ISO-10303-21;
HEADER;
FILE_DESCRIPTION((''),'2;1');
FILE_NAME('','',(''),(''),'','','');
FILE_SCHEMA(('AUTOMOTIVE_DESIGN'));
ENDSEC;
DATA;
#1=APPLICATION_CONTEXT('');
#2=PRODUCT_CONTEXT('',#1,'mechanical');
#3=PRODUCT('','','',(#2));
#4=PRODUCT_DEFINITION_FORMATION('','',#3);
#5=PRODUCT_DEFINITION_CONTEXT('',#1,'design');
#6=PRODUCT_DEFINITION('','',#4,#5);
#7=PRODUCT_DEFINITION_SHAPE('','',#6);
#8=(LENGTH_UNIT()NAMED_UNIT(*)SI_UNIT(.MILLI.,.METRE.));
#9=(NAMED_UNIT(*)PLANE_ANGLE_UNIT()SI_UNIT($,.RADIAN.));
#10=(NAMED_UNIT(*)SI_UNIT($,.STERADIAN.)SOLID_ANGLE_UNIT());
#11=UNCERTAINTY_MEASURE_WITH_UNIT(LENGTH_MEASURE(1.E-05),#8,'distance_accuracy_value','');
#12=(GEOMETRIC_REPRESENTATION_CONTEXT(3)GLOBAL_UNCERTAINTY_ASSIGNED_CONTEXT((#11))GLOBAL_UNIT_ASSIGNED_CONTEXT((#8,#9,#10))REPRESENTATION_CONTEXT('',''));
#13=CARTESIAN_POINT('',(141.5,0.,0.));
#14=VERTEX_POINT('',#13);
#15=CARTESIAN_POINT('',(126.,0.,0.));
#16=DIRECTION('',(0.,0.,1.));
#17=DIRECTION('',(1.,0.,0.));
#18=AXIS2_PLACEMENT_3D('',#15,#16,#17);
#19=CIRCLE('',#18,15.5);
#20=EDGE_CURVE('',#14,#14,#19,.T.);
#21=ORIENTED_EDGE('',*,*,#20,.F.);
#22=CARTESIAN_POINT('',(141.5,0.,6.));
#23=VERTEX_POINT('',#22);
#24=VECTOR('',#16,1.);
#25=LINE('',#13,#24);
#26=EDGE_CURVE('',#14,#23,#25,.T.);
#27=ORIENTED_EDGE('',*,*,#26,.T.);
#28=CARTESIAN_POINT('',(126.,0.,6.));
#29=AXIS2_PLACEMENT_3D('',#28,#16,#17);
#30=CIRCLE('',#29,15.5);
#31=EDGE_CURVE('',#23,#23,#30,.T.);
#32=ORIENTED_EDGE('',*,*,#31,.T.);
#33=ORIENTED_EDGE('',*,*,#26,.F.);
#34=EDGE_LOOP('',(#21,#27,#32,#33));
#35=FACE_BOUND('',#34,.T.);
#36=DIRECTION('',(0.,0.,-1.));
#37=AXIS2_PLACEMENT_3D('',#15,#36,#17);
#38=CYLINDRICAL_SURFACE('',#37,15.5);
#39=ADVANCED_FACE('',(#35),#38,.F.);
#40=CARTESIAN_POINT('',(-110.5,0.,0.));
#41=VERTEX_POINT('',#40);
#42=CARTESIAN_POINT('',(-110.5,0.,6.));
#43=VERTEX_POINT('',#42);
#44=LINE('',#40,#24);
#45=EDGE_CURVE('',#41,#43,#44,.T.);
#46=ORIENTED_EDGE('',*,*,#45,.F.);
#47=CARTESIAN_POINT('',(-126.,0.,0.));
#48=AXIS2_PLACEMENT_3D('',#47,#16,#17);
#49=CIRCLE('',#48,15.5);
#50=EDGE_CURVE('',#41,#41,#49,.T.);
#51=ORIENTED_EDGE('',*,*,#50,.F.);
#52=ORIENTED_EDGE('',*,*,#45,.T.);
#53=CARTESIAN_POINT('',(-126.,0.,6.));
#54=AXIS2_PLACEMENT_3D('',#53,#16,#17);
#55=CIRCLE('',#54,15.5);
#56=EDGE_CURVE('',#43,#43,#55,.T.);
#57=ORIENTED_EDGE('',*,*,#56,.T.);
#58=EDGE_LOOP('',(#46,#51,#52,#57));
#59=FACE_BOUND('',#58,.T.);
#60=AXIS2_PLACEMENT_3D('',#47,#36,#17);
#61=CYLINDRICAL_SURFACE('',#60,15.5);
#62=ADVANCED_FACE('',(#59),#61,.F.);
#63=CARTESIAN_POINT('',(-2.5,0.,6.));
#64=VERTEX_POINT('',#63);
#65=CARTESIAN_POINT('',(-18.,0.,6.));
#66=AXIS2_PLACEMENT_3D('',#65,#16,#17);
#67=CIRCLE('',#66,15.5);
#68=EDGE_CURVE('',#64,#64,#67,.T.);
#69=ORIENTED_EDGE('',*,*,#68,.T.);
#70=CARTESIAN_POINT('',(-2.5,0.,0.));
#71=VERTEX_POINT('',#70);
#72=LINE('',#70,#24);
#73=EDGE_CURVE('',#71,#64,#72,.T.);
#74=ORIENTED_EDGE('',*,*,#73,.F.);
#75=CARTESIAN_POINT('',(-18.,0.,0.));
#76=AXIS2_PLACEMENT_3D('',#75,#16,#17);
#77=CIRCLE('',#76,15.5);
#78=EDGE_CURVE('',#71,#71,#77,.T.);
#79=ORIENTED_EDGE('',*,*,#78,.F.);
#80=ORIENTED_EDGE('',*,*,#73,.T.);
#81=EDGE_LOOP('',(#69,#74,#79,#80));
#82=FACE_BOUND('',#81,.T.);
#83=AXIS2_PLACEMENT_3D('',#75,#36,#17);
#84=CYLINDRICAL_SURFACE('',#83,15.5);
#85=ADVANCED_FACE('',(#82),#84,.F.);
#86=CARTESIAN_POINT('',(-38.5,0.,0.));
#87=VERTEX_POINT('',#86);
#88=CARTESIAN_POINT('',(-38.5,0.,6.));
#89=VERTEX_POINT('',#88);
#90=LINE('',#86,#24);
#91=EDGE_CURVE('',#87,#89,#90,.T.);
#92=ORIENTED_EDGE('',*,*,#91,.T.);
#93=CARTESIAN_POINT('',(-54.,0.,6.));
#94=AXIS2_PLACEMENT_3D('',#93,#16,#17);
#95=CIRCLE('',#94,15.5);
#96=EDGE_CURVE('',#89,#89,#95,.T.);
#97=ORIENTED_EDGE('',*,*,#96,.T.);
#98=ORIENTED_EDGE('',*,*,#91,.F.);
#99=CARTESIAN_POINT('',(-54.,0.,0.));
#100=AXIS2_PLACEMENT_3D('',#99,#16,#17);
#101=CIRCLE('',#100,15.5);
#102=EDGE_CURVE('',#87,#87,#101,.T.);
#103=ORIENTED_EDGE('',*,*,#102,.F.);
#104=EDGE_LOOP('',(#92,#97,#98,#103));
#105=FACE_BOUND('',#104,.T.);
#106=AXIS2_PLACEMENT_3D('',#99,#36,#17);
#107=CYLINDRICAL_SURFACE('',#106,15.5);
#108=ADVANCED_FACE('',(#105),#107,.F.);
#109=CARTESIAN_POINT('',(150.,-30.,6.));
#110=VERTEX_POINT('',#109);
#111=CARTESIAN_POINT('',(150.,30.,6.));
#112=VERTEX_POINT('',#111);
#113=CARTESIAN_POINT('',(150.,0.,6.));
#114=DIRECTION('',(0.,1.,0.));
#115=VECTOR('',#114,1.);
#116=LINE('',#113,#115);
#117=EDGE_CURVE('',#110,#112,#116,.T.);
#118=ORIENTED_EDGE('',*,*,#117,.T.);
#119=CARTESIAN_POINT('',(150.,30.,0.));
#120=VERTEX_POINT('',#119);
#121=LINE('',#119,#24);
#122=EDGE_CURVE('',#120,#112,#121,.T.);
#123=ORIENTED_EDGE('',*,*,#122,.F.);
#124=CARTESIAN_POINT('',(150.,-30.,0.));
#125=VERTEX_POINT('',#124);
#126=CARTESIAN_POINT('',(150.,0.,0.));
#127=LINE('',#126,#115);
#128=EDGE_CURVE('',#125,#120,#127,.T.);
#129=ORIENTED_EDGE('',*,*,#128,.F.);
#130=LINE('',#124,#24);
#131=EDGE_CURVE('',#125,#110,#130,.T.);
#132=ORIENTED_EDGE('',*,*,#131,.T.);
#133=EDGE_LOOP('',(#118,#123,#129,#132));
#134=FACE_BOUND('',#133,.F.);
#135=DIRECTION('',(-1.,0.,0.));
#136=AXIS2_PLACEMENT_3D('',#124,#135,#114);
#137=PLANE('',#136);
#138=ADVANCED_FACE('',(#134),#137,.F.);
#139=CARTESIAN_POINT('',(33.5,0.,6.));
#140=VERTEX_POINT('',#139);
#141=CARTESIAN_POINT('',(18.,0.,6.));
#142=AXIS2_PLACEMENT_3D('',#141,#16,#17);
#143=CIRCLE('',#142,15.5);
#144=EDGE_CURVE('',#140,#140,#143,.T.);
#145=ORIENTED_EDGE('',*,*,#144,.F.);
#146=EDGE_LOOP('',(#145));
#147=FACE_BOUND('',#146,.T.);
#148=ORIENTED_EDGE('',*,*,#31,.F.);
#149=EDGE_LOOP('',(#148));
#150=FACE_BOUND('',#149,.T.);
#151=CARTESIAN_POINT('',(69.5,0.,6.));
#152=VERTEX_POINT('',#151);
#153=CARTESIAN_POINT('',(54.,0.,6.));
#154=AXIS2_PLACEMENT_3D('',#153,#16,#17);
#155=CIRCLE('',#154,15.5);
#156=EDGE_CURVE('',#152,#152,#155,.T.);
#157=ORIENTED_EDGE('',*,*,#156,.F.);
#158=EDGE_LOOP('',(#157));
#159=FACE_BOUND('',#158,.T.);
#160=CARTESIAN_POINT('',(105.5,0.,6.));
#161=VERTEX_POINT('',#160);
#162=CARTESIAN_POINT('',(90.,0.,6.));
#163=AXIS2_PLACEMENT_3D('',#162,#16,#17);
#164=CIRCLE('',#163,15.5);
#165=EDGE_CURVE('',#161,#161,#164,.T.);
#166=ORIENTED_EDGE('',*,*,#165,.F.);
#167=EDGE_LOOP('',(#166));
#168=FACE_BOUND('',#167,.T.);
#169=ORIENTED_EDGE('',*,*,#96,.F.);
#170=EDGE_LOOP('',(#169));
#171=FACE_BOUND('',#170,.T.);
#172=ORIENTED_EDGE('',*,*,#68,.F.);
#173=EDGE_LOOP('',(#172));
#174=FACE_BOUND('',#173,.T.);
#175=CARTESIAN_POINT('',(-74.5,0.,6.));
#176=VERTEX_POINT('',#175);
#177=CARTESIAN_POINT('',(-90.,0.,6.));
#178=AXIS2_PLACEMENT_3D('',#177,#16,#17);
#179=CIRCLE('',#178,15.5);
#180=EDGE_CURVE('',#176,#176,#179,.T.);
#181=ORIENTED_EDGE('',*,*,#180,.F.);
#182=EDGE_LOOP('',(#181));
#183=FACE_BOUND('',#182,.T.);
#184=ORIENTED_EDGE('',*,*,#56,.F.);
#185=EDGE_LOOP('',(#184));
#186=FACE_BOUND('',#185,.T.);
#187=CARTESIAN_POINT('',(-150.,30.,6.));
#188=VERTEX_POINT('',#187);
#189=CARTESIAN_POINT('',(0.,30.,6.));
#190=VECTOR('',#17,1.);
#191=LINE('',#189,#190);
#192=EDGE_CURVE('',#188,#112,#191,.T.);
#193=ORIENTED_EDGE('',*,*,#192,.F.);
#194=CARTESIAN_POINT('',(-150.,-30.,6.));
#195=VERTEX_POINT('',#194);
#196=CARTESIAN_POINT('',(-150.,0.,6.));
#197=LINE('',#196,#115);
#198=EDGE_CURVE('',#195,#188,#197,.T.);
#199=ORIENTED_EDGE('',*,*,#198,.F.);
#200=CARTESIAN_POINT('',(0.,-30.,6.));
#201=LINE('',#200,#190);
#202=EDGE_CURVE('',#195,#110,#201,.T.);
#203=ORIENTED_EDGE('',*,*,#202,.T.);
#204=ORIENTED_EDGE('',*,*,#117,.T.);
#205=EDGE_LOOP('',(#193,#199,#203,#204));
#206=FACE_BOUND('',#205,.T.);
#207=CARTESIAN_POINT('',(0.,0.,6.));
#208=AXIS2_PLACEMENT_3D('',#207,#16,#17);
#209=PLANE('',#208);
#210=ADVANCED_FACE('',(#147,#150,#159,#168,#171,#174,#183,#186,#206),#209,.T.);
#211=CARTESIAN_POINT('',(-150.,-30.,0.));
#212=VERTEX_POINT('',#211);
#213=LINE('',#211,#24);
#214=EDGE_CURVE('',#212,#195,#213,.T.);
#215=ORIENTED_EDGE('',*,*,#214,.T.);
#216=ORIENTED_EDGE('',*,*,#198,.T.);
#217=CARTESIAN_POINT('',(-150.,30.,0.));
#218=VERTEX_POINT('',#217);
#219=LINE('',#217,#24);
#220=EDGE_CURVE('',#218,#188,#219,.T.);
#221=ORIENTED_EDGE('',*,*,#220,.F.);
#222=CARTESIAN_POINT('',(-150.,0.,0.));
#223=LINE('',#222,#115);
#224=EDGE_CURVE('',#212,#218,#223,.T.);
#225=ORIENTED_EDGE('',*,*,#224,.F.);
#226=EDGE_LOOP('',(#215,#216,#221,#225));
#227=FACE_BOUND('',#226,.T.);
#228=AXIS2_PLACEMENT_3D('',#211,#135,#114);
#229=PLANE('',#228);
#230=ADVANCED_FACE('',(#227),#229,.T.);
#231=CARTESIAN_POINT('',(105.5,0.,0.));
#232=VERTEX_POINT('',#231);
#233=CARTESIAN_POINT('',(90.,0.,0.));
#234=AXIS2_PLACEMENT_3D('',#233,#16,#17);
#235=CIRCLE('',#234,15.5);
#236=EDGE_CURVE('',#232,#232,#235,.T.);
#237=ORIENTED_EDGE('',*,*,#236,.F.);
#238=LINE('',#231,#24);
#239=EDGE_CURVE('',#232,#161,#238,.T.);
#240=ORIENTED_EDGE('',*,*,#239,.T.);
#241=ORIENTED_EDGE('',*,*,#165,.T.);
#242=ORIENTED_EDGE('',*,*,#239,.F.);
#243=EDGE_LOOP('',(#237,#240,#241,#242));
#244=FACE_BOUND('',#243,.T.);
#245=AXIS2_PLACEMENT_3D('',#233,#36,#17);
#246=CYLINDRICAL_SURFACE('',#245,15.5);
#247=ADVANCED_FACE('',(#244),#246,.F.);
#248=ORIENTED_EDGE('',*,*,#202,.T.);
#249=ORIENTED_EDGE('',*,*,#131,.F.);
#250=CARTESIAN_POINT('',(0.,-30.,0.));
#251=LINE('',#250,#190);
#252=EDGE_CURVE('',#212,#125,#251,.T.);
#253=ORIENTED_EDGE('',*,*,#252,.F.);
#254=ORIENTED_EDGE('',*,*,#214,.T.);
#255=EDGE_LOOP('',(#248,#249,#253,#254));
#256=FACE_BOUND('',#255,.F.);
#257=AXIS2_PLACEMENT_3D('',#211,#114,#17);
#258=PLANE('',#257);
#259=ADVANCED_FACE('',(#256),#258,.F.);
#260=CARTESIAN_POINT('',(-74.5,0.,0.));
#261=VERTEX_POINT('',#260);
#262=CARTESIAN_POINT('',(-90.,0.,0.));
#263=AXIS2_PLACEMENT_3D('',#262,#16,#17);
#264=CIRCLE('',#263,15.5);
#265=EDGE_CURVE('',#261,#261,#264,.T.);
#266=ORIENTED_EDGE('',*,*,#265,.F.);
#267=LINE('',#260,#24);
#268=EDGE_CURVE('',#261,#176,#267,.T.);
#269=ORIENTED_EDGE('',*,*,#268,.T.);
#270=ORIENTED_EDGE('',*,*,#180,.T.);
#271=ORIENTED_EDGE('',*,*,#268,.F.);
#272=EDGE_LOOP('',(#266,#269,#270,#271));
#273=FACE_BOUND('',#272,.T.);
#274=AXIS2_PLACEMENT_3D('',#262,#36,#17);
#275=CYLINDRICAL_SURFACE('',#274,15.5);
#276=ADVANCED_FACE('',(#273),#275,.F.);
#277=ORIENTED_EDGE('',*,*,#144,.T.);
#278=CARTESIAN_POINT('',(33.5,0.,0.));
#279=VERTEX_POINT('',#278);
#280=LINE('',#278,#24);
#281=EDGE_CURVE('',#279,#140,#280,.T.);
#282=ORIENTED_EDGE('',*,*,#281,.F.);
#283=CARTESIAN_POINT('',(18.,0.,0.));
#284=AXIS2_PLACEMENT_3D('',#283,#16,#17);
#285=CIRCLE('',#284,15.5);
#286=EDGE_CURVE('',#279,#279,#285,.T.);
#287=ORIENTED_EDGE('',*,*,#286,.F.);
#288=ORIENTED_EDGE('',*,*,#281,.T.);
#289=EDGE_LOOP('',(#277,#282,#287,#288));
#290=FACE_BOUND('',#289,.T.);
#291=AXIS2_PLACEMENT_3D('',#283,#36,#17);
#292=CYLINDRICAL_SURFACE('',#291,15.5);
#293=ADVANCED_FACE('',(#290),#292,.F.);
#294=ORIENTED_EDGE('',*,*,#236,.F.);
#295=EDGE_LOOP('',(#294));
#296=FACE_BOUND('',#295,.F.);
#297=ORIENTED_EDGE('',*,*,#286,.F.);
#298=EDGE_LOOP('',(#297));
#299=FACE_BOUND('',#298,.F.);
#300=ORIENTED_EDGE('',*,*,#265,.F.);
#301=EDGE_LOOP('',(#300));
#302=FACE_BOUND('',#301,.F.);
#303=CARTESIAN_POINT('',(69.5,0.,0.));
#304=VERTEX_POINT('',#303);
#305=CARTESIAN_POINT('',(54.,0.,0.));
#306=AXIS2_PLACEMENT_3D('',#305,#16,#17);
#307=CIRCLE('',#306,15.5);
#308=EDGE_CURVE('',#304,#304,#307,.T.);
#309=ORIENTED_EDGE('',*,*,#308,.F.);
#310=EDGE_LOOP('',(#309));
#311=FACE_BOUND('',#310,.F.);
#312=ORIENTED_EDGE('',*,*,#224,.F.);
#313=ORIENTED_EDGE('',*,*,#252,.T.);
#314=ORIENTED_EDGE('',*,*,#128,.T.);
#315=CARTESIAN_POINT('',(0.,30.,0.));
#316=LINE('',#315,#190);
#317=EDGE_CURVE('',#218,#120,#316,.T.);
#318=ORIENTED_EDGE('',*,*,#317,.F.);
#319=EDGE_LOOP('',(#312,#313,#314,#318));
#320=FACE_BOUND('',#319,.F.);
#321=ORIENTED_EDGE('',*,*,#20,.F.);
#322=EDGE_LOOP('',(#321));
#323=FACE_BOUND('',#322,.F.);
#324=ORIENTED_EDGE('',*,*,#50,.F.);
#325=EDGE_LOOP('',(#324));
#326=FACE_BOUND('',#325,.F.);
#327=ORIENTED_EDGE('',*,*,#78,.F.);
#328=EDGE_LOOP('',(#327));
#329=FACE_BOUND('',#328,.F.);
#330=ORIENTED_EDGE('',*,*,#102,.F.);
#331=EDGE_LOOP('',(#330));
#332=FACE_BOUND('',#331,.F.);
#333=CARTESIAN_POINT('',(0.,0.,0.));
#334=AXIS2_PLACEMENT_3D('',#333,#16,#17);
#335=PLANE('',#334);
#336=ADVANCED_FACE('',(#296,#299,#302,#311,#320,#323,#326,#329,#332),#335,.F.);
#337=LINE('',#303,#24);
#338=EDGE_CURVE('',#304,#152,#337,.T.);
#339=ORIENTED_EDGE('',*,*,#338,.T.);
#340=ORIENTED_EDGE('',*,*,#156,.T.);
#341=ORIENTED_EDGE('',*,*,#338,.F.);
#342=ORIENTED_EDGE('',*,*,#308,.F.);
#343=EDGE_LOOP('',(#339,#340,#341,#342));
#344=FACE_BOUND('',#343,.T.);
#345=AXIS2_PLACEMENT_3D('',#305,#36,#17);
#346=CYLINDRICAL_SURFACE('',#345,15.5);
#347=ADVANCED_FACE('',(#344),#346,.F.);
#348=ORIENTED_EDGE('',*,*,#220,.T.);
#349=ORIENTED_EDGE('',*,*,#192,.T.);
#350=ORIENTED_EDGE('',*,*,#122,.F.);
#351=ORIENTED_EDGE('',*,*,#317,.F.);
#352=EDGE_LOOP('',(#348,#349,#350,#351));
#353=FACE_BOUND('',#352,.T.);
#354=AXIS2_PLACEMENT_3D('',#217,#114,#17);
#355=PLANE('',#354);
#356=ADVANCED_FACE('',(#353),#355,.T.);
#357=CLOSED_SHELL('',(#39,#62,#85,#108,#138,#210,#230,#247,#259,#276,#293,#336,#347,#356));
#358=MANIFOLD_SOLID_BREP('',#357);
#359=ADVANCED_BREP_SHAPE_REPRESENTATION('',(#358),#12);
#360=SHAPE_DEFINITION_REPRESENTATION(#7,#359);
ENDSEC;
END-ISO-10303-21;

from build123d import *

# Parameters (mm, degrees)
F0_W     = 300
F0_H     = 60
F0_R     = 15.5
F1_DEPTH = 6


with BuildPart() as f1:
    # F0 (on Top) → F1 (new body)
    with BuildSketch(Plane.XY):
        Rectangle(F0_W, F0_H)
        with Locations((-126, 0)):
            Circle(F0_R, mode=Mode.SUBTRACT)
        with Locations((-90, 0)):
            Circle(F0_R, mode=Mode.SUBTRACT)
        with Locations((-54, 0)):
            Circle(F0_R, mode=Mode.SUBTRACT)
        with Locations((-18, 0)):
            Circle(F0_R, mode=Mode.SUBTRACT)
        with Locations((18, 0)):
            Circle(F0_R, mode=Mode.SUBTRACT)
        with Locations((54, 0)):
            Circle(F0_R, mode=Mode.SUBTRACT)
        with Locations((90, 0)):
            Circle(F0_R, mode=Mode.SUBTRACT)
        with Locations((126, 0)):
            Circle(F0_R, mode=Mode.SUBTRACT)
    extrude(amount=F1_DEPTH)


solid = f1.part
